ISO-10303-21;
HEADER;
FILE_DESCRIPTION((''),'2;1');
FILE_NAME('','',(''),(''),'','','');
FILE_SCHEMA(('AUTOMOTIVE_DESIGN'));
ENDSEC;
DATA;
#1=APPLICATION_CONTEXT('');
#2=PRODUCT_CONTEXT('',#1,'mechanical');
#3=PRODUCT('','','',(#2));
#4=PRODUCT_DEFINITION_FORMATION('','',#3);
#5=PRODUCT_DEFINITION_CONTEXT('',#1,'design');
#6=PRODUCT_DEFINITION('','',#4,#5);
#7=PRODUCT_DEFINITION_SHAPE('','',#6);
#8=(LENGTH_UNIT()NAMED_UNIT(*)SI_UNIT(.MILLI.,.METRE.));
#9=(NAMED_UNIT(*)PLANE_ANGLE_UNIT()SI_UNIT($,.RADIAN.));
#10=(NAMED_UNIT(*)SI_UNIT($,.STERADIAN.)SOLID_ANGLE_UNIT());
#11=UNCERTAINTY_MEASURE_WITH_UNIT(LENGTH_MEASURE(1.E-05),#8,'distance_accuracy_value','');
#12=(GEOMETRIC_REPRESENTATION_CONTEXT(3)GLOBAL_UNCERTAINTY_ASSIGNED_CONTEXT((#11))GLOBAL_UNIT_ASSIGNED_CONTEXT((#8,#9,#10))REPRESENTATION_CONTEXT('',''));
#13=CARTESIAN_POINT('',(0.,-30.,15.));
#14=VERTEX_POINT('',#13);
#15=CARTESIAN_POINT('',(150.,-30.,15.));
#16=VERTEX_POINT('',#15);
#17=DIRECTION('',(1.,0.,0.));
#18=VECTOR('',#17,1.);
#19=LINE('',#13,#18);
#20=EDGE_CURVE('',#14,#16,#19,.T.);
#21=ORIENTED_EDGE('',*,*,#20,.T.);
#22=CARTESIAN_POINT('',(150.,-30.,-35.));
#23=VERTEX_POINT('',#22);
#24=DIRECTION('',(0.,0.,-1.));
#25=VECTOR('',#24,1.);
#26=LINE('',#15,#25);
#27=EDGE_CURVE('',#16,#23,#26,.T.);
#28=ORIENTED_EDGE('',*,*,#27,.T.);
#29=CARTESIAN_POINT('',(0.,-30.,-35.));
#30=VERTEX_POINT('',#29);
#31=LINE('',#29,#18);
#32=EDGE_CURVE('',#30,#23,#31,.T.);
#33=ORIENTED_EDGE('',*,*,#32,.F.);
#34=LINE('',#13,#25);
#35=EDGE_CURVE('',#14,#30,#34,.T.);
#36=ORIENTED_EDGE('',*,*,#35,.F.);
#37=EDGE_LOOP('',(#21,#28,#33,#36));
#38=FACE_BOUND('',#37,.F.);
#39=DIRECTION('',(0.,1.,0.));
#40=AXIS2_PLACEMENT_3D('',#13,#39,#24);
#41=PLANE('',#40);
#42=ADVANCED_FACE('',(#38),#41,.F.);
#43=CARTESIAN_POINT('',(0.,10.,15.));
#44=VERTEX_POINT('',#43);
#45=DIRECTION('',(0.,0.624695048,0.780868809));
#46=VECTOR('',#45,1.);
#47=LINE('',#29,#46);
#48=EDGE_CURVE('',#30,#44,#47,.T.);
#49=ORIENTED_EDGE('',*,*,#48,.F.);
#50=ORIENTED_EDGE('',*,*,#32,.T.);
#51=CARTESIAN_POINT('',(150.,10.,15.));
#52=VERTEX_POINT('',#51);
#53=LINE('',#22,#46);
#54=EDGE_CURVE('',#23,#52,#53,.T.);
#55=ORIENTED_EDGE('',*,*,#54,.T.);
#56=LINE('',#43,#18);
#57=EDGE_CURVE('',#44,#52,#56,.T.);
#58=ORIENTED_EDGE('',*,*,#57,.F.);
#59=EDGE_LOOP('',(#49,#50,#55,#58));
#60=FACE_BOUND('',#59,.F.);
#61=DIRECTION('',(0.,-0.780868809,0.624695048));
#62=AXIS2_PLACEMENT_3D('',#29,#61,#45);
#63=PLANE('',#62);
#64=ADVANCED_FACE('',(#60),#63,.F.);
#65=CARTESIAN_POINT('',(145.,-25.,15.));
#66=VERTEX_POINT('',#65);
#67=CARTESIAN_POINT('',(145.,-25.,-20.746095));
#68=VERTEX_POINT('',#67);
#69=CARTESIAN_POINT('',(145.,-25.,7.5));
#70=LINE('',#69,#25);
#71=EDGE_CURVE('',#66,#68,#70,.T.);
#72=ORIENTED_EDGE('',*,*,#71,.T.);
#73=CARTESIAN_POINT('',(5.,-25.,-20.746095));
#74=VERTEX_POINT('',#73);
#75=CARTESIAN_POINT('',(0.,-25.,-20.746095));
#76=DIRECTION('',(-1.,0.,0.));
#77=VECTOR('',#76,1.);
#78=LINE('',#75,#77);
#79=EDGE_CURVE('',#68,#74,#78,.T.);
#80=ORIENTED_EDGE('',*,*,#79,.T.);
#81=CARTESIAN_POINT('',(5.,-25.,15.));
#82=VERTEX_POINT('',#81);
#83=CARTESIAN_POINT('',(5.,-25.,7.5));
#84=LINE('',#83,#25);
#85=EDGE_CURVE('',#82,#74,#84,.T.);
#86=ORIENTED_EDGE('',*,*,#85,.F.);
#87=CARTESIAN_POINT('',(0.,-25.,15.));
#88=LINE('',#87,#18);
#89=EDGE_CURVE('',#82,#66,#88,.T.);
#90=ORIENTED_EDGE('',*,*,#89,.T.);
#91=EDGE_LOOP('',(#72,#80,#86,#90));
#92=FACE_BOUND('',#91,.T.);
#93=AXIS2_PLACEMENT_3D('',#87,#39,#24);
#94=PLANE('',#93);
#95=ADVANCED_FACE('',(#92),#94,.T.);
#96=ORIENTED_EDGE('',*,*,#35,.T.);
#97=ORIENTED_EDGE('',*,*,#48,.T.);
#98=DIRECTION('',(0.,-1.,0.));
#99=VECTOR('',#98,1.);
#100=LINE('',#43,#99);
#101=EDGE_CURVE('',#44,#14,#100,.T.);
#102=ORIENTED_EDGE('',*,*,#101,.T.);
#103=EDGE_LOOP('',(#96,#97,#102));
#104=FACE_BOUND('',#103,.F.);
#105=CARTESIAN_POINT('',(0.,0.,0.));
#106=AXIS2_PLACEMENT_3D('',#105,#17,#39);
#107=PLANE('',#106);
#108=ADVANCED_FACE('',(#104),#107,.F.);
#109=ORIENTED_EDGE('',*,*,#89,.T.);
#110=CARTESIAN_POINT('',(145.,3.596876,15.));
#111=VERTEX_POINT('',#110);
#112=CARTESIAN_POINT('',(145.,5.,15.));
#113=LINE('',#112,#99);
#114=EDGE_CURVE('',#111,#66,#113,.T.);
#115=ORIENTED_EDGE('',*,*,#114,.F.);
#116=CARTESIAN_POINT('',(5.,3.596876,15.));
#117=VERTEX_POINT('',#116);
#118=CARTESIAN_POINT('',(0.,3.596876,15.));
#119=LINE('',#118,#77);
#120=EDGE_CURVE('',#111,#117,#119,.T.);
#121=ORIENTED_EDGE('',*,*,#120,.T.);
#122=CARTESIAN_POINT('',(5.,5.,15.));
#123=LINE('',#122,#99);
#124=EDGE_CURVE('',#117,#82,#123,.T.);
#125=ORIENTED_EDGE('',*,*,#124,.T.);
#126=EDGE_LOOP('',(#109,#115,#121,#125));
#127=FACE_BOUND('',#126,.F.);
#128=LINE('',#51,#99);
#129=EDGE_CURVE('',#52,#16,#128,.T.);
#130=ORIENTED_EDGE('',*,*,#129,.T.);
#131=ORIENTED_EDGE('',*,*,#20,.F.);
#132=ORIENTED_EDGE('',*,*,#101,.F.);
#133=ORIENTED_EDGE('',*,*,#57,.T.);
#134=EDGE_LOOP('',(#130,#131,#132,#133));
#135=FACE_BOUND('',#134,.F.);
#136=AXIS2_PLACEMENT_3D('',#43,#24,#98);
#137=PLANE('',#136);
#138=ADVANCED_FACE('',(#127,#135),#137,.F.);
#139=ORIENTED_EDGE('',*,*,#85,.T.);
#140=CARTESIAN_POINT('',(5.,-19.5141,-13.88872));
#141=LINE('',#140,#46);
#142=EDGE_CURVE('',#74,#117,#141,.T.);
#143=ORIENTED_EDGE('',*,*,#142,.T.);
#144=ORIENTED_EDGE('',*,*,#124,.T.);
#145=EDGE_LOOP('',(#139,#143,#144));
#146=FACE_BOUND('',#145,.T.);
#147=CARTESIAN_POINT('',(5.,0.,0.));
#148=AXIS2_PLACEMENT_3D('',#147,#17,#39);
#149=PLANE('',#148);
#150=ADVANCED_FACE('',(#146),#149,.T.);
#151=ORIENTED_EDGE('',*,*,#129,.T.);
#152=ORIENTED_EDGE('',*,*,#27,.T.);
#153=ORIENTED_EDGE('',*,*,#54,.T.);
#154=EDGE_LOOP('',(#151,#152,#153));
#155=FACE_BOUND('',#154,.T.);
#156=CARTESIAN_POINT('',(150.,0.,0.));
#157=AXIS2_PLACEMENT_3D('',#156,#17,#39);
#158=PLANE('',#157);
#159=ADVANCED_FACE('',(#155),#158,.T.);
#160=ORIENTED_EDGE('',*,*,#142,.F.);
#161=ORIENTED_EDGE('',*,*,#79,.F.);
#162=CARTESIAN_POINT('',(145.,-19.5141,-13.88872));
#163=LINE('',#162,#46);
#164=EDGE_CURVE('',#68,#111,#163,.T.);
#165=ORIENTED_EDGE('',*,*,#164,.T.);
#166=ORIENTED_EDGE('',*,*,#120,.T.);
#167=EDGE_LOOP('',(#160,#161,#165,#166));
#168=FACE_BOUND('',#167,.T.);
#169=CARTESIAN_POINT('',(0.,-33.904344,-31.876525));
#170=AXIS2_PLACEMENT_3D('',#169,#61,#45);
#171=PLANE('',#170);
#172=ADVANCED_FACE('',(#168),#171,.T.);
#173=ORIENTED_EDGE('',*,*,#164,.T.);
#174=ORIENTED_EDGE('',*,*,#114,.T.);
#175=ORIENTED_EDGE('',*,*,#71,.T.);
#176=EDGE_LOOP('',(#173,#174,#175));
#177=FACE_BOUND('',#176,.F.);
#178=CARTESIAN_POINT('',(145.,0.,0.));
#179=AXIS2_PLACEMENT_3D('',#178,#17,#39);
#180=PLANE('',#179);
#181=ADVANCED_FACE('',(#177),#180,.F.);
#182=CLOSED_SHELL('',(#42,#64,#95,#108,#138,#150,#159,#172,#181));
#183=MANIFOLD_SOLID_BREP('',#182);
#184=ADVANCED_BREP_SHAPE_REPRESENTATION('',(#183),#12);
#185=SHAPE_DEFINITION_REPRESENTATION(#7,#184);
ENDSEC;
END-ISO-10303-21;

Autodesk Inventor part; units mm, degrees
ref_plane "YZ Plane" through (0, 0, 0) normal (1, 0, 0) x (0, 1, 0)
ref_plane "XZ Plane" through (0, 0, 0) normal (0, 1, 0) x (-1, 0, 0)
ref_plane "XY Plane" through (0, 0, 0) normal (0, 0, 1) x (1, 0, 0)
sketch "Szkic1" plane through (0, 0, 0) normal (1, 0, 0) x (0, 1, 0)
  line L0 (10, 15) -> (-30, 15)
  line L1 (-30, 15) -> (-30, -35)
  line L2 (-30, -35) -> (10, 15)
  point P0 (0, 0)
  dimension "d0" = 40
  dimension "d1" = 50
extrude "Wyciągnięcie proste1" add sketch "Szkic1" along normal blind 150
shell "Skorupa2" thickness 5 removed faces 1 at (50, -3.3333, 15)
properties part number "sumo_module_shield"
